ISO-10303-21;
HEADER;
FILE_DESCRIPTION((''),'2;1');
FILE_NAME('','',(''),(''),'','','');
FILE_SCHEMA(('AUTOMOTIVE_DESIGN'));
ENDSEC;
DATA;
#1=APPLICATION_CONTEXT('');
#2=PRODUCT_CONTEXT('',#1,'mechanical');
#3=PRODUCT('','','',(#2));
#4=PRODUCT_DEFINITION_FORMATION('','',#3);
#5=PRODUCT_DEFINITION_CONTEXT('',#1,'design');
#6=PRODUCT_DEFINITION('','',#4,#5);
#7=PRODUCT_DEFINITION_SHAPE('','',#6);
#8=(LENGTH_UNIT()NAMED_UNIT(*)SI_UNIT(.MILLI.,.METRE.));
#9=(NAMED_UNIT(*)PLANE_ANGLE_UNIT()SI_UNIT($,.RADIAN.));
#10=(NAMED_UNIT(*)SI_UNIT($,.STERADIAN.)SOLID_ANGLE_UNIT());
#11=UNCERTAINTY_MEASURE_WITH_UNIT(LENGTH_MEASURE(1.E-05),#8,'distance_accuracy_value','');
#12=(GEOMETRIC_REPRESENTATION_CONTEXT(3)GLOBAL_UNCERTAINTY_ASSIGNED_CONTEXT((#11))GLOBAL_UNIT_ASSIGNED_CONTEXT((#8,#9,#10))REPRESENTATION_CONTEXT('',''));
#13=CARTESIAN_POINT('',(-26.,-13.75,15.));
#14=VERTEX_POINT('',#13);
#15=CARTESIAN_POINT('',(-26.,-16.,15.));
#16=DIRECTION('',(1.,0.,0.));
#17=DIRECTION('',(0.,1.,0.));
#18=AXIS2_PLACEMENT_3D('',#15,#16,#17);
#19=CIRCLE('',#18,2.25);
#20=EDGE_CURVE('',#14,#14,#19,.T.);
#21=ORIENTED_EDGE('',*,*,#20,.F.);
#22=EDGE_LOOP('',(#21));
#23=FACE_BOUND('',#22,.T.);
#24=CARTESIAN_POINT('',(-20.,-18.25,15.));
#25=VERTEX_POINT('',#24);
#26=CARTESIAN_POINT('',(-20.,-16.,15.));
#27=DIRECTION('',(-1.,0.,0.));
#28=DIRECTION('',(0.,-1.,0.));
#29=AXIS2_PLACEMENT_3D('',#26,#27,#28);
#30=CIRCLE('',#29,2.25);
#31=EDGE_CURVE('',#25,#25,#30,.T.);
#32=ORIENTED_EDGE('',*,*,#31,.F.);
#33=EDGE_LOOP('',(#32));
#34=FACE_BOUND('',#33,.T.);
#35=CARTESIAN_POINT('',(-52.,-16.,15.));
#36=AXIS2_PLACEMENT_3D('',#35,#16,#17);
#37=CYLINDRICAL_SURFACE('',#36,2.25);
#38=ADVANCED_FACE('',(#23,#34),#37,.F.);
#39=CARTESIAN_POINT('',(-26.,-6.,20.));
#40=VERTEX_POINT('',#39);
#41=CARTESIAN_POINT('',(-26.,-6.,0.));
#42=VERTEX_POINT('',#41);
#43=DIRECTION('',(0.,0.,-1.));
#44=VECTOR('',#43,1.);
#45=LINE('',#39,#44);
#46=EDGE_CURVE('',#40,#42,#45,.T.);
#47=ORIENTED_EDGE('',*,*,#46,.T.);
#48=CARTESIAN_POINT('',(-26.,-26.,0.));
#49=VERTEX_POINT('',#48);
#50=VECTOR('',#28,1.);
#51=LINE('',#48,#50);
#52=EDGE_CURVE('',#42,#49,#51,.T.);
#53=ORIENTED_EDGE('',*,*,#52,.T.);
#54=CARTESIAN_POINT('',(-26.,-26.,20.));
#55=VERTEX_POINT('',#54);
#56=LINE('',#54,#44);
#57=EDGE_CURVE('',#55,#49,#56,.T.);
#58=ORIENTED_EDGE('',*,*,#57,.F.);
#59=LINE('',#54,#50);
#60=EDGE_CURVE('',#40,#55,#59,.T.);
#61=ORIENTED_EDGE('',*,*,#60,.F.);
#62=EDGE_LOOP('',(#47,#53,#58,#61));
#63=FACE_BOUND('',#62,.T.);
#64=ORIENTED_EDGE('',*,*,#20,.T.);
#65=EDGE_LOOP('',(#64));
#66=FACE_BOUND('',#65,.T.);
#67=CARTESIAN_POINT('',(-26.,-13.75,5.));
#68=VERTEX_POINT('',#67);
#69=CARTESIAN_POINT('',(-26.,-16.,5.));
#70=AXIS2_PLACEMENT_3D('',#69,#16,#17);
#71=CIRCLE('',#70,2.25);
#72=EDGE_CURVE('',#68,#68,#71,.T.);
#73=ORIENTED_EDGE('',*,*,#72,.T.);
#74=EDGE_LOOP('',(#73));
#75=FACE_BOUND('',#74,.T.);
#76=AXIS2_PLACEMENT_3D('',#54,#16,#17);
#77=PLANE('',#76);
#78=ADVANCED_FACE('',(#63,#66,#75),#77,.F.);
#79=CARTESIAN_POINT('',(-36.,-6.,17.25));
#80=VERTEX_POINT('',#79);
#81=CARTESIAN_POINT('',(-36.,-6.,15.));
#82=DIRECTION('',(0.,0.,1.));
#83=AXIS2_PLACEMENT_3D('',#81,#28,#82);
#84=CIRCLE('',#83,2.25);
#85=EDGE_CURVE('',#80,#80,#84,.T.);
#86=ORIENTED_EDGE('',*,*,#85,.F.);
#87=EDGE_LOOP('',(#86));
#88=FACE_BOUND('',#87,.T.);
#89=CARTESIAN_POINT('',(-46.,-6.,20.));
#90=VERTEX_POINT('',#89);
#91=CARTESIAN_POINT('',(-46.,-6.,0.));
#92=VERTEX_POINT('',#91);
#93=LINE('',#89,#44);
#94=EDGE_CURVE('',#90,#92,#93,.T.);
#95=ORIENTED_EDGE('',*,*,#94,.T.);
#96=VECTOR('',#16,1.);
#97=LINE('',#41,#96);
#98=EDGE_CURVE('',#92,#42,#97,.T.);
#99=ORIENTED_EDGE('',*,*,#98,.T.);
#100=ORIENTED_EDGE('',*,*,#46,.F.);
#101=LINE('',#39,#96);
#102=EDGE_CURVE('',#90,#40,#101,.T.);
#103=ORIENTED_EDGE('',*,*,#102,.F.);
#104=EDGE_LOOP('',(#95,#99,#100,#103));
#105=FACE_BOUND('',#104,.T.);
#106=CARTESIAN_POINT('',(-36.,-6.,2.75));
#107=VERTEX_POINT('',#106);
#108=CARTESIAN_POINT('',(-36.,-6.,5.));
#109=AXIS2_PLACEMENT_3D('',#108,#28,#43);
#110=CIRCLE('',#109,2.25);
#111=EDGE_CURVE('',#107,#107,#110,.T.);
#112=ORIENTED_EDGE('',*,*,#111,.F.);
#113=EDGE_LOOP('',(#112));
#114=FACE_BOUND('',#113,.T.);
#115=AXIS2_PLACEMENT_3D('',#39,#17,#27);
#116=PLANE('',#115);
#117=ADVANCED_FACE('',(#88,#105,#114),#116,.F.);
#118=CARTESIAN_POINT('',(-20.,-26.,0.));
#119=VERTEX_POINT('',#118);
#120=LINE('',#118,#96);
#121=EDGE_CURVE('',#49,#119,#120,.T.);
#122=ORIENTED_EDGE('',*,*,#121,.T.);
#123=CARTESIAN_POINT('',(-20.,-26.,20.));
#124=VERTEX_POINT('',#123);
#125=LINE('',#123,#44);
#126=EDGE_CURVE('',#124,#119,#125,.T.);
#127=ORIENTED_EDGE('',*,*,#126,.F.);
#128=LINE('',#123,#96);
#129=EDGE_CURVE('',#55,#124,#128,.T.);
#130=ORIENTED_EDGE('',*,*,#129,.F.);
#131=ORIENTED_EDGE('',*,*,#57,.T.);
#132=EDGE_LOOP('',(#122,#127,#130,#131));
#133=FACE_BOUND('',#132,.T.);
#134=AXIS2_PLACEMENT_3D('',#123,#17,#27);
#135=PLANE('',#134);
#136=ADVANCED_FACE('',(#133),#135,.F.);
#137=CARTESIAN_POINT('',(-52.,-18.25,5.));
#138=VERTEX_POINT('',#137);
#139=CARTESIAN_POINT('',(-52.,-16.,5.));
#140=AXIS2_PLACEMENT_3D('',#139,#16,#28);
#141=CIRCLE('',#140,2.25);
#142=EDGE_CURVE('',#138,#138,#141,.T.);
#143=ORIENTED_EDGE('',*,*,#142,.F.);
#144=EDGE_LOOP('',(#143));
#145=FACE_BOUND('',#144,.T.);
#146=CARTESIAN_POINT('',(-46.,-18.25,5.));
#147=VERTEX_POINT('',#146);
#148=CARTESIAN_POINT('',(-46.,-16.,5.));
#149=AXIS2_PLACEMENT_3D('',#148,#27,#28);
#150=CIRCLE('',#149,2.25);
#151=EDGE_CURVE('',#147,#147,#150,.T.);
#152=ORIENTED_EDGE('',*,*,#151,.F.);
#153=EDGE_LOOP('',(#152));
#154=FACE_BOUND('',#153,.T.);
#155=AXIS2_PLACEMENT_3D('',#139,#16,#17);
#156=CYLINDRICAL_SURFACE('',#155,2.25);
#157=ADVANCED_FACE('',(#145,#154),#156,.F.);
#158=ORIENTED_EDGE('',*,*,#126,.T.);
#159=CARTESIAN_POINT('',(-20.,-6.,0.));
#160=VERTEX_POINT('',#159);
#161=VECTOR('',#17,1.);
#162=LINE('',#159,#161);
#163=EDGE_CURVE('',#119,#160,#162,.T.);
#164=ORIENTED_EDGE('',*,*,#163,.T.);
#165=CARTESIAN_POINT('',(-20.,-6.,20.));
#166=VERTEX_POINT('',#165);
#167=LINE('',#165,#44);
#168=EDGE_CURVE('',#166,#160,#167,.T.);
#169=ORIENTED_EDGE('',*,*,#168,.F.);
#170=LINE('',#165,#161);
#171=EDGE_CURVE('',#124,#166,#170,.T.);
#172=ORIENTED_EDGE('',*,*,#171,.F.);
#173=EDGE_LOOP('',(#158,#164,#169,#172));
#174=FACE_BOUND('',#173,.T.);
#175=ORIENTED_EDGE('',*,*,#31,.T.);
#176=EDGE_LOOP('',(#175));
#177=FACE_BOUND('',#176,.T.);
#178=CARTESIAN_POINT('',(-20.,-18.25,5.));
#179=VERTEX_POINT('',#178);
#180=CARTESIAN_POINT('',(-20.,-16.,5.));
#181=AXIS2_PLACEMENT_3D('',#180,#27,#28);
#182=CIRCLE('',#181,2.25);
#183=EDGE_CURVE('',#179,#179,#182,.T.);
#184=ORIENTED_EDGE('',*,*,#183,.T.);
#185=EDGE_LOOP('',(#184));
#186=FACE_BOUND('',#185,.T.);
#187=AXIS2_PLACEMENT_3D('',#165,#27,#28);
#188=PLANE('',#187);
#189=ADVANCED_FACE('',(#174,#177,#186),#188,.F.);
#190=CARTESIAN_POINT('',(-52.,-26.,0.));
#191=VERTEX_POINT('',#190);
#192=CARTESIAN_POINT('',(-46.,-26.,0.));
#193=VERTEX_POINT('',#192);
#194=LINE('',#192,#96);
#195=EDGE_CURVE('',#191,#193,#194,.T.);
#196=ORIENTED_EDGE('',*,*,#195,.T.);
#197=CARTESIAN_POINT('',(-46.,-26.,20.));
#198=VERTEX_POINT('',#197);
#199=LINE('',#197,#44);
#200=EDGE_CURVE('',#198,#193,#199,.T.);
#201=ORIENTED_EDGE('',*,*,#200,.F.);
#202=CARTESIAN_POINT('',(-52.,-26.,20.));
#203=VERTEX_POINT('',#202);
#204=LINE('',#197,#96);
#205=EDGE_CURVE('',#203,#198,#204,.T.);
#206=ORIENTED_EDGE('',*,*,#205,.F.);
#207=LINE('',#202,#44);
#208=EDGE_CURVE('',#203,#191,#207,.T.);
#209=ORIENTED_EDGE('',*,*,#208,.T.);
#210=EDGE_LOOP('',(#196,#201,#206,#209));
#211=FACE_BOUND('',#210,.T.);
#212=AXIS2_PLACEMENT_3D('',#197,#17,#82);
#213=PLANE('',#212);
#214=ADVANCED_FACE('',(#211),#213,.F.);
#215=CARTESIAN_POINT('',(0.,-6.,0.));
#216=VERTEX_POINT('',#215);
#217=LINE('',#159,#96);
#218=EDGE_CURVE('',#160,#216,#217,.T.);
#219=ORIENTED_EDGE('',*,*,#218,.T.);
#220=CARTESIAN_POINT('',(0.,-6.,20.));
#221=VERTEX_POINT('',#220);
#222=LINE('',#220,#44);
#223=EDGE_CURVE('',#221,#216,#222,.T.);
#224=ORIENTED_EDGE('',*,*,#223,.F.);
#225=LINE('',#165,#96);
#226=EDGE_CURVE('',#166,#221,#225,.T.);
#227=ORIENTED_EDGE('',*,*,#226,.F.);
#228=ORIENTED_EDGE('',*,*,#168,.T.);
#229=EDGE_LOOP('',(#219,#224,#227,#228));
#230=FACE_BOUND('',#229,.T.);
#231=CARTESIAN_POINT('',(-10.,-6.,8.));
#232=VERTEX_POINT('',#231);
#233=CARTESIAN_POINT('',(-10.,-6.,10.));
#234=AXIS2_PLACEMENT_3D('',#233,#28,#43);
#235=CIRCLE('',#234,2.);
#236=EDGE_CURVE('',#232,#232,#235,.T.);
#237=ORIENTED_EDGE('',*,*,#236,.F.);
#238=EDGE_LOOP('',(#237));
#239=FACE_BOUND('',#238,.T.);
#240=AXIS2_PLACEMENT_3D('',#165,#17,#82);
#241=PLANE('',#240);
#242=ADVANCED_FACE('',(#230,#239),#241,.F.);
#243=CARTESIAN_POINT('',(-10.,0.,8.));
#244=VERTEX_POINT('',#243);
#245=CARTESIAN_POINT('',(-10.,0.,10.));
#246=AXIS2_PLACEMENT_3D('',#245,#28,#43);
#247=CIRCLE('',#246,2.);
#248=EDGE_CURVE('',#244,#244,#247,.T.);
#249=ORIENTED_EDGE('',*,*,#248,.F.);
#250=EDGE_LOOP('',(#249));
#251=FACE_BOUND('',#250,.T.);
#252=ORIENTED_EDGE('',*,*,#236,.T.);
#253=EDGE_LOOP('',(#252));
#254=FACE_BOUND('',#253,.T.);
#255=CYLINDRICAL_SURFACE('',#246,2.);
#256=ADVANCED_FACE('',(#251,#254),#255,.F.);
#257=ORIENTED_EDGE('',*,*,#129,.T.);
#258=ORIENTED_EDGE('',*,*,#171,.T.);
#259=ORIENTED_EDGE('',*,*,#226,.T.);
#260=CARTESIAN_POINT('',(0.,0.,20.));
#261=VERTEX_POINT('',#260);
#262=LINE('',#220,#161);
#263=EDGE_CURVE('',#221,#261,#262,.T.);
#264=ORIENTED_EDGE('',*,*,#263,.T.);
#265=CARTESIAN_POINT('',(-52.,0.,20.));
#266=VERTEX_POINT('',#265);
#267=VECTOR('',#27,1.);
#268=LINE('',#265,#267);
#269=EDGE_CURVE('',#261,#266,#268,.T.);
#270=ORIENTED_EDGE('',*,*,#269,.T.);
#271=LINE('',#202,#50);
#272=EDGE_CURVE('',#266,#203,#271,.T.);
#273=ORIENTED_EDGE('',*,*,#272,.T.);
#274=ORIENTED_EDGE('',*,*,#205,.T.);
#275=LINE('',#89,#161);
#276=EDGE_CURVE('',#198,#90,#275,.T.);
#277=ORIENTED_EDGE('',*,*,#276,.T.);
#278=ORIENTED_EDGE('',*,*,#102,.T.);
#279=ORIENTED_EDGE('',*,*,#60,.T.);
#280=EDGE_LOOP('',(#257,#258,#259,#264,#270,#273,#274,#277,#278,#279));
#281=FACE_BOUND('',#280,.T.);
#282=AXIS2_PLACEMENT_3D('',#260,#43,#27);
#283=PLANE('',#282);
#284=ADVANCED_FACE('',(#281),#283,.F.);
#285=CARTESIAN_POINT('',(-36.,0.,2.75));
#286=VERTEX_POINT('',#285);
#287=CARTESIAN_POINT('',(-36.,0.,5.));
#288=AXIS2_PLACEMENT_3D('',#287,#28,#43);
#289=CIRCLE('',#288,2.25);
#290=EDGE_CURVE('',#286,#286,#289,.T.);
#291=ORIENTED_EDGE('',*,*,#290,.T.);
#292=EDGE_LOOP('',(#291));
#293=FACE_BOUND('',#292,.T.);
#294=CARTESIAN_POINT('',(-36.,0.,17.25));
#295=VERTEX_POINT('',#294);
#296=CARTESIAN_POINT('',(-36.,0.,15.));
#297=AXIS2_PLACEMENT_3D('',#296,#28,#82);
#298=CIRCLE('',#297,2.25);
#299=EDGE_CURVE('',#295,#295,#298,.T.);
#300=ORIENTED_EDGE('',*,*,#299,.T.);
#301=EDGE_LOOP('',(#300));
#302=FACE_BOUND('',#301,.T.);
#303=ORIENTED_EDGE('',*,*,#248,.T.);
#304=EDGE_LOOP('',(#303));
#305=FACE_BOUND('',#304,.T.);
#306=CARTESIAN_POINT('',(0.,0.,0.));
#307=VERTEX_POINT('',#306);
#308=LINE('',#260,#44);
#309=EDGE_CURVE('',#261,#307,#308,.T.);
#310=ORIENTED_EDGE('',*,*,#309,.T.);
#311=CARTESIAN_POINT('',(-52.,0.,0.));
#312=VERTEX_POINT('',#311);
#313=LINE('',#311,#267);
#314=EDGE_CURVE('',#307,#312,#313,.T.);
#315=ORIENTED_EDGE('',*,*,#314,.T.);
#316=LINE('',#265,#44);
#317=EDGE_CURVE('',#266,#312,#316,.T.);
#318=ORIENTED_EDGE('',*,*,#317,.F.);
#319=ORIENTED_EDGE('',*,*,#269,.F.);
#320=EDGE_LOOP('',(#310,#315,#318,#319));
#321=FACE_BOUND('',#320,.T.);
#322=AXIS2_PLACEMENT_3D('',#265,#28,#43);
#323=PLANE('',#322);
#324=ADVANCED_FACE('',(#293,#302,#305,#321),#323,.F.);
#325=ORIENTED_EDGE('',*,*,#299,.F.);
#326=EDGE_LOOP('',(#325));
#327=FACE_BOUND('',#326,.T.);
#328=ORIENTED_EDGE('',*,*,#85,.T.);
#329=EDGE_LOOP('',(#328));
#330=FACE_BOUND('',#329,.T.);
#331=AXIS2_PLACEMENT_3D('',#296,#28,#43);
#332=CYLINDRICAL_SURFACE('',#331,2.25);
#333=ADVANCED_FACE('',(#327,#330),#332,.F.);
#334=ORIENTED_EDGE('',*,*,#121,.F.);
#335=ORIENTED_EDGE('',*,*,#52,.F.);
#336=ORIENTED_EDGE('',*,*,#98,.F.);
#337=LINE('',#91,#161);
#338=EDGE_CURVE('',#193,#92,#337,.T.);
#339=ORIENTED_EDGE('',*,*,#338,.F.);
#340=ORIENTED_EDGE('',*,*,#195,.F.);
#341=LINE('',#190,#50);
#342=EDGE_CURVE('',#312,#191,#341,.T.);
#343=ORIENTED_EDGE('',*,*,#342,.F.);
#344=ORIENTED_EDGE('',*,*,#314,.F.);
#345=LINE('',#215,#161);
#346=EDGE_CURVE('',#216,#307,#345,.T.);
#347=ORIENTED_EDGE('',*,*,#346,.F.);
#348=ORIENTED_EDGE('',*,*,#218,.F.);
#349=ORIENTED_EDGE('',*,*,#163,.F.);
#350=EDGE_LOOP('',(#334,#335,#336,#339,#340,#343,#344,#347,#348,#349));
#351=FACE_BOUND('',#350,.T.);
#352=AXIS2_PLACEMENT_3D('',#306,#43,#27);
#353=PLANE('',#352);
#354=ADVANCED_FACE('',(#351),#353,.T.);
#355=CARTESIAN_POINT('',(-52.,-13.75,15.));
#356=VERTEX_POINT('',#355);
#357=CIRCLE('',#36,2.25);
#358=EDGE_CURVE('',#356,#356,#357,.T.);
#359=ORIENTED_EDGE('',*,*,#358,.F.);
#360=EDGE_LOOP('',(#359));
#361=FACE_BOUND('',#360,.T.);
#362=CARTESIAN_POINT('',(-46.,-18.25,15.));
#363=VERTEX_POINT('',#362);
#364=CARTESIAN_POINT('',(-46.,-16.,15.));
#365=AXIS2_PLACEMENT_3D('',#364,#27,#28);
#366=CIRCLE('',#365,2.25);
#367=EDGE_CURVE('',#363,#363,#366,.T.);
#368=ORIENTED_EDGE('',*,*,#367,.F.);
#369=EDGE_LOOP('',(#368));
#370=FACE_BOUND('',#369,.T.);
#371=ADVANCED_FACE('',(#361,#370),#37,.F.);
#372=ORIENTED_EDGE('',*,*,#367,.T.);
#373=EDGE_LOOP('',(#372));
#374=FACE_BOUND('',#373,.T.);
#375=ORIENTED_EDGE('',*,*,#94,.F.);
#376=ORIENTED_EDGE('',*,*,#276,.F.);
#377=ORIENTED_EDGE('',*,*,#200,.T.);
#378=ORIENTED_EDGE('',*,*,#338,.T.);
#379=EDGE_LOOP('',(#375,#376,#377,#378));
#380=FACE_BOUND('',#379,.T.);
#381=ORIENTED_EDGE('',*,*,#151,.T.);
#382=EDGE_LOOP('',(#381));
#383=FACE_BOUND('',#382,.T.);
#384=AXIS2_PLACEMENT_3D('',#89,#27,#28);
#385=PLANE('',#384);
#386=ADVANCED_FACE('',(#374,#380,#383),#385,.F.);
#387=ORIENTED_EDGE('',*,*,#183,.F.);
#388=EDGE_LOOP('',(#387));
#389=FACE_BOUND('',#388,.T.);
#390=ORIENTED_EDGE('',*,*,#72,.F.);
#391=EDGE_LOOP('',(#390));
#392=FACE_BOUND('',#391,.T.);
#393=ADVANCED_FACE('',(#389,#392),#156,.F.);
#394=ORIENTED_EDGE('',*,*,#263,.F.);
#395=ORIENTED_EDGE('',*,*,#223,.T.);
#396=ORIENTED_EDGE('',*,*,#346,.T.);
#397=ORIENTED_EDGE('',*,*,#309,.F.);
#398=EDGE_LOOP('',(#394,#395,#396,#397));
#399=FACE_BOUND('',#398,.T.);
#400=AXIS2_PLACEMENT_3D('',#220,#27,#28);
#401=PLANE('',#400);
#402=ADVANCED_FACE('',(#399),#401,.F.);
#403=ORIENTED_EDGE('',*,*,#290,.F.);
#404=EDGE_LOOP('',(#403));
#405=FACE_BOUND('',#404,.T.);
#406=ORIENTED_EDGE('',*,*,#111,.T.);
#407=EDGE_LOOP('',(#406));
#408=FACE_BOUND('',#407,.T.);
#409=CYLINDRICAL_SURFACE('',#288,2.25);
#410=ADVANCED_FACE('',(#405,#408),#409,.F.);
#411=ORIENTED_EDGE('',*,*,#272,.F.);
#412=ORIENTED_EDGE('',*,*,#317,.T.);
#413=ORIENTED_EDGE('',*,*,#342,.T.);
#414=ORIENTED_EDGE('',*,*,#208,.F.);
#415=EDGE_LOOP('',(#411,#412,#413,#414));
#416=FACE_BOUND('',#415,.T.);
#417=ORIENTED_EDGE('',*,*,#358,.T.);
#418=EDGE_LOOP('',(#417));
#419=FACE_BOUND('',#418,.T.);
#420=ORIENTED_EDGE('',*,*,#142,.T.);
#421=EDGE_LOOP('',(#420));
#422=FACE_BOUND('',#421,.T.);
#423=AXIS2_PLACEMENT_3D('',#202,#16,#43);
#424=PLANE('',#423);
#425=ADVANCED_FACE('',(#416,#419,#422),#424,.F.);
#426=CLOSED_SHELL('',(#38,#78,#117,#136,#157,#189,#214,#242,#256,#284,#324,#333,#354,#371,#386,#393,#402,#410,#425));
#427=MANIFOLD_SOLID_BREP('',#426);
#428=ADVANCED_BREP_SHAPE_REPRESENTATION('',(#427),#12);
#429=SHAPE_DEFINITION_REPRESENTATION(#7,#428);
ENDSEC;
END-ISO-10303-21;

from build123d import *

# Parameters (mm, degrees)
BOSS_EXTRUDE3_DEPTH     = 20
SKETCH9_R               = 2.25
CUT_EXTRUDE1_DEPTH      = 47
CUT_EXTRUDE1_DEPTH_BACK = 7
SKETCH10_R              = 2.25
CUT_EXTRUDE2_DEPTH      = 21
CUT_EXTRUDE2_DEPTH_BACK = 7
SKETCH11_R              = 2
CUT_EXTRUDE3_DEPTH      = 21
CUT_EXTRUDE3_DEPTH_BACK = 7


with BuildPart() as part:
    # Sketch7 → Boss-Extrude3 (new body)
    with BuildSketch(Plane.XY):
        Polygon((-52, -26), (-52, 0), (0, 0), (0, -6), (-20, -6), (-20, -26), (-26, -26), (-26, -6), (-46, -6), (-46, -26), align=None)
    extrude(amount=BOSS_EXTRUDE3_DEPTH)

    # Sketch9 → Cut-Extrude1 (cut, two sides)
    with BuildSketch(Plane(origin=(-46, 0, 0), x_dir=(0, 0, -1), z_dir=(1, 0, 0))) as cut_extrude1_sk:
        with Locations((-15, -16)):
            Circle(SKETCH9_R)
        with Locations((-5, -16)):
            Circle(SKETCH9_R)
    extrude(amount=CUT_EXTRUDE1_DEPTH, mode=Mode.SUBTRACT)
    extrude(cut_extrude1_sk.sketch, amount=-CUT_EXTRUDE1_DEPTH_BACK, mode=Mode.SUBTRACT)

    # Sketch10 → Cut-Extrude2 (cut, two sides)
    with BuildSketch(Plane.XZ.offset(6)) as cut_extrude2_sk:
        with Locations((-36, 5)):
            Circle(SKETCH10_R)
        with Locations((-36, 15)):
            Circle(SKETCH10_R)
    extrude(amount=CUT_EXTRUDE2_DEPTH, mode=Mode.SUBTRACT)
    extrude(cut_extrude2_sk.sketch, amount=-CUT_EXTRUDE2_DEPTH_BACK, mode=Mode.SUBTRACT)

    # Sketch11 → Cut-Extrude3 (cut, two sides)
    with BuildSketch(Plane.XZ.offset(6)) as cut_extrude3_sk:
        with Locations((-10, 10)):
            Circle(SKETCH11_R)
    extrude(amount=CUT_EXTRUDE3_DEPTH, mode=Mode.SUBTRACT)
    extrude(cut_extrude3_sk.sketch, amount=-CUT_EXTRUDE3_DEPTH_BACK, mode=Mode.SUBTRACT)


solid = part.part
